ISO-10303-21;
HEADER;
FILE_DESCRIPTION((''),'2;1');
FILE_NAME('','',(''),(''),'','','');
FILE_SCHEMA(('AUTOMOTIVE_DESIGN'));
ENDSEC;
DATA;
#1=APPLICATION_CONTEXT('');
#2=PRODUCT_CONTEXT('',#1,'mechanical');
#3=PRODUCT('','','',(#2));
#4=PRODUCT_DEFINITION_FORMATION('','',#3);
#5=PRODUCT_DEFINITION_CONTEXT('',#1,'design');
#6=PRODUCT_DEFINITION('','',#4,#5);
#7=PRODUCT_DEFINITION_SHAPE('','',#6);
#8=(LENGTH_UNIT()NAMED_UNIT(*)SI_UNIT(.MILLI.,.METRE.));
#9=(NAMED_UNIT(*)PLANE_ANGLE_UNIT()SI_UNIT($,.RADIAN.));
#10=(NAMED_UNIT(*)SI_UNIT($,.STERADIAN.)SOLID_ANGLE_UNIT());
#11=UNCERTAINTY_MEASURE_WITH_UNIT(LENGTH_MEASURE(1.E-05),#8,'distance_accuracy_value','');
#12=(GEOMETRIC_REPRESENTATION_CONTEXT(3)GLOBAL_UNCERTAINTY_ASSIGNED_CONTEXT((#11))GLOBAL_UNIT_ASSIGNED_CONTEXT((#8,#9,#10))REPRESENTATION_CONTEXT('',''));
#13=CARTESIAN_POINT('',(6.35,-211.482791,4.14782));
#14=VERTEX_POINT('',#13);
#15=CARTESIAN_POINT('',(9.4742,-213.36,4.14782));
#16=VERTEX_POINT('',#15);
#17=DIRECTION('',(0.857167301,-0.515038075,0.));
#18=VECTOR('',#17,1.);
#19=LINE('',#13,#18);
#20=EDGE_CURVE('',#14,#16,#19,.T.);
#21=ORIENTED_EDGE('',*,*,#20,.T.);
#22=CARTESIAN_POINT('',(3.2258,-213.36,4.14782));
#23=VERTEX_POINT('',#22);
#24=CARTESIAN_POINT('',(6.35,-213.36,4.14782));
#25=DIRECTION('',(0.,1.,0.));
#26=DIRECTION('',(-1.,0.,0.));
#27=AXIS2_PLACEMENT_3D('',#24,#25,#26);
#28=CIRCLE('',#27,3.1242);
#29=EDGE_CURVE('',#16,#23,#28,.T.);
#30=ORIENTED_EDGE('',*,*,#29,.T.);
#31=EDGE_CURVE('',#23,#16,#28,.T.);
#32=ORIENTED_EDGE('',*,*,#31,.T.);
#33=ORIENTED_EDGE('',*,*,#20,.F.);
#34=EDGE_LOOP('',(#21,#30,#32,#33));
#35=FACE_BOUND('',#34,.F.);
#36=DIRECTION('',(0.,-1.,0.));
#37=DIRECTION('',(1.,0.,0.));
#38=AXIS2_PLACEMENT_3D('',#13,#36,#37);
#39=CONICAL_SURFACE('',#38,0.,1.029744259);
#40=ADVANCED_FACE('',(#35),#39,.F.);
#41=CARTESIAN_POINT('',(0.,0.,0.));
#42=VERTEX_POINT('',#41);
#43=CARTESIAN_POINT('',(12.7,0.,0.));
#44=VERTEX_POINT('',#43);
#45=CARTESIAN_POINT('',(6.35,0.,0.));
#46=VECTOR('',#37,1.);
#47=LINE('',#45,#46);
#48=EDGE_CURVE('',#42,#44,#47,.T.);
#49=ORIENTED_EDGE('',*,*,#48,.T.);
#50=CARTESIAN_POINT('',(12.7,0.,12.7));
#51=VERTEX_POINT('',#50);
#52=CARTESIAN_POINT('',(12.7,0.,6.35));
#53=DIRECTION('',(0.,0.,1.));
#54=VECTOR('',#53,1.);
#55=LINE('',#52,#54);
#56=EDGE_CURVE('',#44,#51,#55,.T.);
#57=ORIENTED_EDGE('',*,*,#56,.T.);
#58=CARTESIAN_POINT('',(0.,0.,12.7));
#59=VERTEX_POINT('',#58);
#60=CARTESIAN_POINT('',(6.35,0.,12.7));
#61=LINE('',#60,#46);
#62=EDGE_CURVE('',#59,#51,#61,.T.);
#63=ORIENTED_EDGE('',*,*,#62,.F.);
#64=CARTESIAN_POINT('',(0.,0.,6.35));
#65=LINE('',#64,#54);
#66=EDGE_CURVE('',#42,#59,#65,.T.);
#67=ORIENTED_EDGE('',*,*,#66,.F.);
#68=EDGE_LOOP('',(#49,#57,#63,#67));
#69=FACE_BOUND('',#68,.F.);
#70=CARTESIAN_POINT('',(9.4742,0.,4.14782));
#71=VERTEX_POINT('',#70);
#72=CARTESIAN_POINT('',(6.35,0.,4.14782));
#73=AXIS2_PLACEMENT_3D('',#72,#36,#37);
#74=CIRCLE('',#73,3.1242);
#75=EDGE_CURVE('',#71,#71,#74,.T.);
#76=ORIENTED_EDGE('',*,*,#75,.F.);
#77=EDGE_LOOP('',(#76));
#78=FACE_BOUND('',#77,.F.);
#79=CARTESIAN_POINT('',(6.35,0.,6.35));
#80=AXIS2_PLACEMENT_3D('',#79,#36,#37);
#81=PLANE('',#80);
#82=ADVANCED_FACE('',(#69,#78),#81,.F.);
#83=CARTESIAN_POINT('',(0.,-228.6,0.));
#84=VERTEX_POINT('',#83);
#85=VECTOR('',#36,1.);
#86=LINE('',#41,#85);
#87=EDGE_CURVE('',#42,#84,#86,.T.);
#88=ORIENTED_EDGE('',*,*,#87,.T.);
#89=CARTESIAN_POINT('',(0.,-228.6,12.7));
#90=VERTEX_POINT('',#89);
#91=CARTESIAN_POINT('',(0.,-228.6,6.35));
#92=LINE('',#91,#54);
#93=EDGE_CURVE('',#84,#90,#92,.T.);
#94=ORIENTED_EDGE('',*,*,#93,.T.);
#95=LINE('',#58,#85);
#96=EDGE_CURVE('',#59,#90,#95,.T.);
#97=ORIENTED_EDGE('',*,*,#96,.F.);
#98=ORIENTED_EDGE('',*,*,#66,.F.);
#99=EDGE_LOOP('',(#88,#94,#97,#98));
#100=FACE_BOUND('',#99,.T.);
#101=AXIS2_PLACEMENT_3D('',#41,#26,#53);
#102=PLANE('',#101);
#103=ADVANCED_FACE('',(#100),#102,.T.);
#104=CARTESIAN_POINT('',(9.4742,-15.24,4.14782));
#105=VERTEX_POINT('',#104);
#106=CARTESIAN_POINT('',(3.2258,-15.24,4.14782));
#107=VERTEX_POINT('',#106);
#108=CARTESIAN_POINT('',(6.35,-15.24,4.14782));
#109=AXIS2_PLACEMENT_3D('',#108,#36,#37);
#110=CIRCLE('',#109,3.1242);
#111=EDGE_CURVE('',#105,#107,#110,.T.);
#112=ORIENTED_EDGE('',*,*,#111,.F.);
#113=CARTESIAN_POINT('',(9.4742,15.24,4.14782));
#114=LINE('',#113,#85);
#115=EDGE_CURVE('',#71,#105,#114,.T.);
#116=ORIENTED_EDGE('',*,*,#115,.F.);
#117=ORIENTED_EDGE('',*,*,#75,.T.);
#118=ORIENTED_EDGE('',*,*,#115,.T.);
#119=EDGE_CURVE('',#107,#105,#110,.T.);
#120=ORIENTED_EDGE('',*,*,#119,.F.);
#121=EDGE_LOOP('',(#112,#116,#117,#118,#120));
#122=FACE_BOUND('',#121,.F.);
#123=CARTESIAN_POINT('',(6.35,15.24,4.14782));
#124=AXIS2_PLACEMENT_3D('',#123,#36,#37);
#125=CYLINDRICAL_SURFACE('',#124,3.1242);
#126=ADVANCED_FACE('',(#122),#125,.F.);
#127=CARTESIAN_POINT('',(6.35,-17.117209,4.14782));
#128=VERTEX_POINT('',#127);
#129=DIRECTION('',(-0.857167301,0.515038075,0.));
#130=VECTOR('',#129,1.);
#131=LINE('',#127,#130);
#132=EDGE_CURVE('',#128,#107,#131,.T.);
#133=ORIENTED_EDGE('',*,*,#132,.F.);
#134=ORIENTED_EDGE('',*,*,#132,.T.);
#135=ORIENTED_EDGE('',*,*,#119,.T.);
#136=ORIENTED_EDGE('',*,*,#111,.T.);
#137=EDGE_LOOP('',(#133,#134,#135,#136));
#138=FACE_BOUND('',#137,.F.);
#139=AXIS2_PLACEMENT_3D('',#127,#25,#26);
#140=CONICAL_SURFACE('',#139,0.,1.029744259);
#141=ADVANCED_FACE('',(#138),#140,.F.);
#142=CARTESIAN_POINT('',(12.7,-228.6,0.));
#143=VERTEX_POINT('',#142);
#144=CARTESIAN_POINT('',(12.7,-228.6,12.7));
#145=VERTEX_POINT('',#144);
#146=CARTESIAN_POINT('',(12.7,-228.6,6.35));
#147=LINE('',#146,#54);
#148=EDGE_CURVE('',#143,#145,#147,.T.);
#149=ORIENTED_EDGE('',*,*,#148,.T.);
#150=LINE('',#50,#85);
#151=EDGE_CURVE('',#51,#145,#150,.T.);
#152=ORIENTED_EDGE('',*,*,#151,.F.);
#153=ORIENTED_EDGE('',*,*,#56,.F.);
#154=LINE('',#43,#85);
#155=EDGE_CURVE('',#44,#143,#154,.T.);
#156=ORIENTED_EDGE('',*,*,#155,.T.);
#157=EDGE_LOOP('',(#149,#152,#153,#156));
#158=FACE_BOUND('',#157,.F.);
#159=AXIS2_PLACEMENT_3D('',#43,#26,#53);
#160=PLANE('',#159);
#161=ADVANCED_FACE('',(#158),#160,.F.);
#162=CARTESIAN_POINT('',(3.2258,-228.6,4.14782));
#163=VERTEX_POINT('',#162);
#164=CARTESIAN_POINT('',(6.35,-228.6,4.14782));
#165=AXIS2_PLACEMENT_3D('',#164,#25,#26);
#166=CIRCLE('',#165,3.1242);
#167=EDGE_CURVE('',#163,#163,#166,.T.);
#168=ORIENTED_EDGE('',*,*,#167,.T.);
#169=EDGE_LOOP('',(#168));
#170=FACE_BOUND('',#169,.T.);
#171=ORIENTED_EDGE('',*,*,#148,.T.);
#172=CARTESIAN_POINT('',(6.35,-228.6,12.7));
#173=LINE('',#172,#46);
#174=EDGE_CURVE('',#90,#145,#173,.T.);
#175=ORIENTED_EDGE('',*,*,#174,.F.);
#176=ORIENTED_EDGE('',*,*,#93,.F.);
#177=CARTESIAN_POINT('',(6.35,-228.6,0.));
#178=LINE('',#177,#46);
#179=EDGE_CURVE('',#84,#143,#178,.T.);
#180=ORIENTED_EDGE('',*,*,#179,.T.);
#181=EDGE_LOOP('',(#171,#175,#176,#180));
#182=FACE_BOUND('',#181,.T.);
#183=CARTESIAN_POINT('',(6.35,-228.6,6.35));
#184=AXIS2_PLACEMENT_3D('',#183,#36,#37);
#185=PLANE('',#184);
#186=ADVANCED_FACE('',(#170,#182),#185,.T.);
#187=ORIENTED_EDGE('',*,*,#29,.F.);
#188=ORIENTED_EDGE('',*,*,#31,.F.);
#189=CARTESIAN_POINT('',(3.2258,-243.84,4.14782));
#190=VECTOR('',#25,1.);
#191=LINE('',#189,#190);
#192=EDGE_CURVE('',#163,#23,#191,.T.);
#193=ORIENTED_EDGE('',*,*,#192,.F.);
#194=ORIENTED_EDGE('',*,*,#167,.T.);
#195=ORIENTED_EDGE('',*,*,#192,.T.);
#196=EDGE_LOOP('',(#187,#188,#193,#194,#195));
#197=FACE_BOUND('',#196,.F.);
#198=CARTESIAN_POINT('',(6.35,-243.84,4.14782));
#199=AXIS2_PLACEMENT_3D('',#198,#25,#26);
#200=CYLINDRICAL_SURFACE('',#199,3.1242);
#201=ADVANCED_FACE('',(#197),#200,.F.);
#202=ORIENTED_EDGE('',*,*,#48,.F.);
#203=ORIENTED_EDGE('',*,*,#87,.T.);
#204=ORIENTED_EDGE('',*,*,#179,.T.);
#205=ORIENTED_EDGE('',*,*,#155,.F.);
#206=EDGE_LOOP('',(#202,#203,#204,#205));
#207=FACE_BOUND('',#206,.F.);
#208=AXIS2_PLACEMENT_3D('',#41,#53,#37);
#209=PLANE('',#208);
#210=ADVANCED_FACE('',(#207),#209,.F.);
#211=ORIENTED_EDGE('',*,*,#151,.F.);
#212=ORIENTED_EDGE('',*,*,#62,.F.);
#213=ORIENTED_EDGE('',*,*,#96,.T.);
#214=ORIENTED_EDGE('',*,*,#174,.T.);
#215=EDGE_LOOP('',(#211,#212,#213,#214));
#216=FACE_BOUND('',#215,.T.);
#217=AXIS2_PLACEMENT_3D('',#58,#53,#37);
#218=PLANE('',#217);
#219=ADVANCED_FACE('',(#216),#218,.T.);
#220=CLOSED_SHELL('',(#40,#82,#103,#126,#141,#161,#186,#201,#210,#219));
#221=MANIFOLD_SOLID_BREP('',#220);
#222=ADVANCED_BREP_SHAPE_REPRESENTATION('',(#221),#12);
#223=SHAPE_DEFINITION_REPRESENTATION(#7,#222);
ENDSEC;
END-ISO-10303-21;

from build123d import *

# Parameters (mm, degrees)
F0_W     = 12.7
F0_H     = 12.7
F1_DEPTH = 228.6
F3_D     = 6.2484
F3_DEPTH = 15.24
F3_TIP   = 1.877208746
F5_D     = 6.2484
F5_DEPTH = 15.24
F5_TIP   = 1.877208746


with BuildPart() as f1:
    # F0 (on Front) → F1 (new body)
    with BuildSketch(Plane.XZ):
        with Locations((6.35, 6.35)):
            Rectangle(F0_W, F0_H)
    extrude(amount=F1_DEPTH)

    # F3
    with Locations(Plane.XZ.offset(228.6)):
        with Locations((6.35, 4.14782)):
            Hole(F3_D / 2, depth=F3_DEPTH)
            with Locations((0, 0, -(F3_DEPTH + F3_TIP / 2))):  # 118° drill point
                Cone(0, F3_D / 2, F3_TIP, mode=Mode.SUBTRACT)

    # F5
    with Locations(Plane(origin=(0, 0, 0), x_dir=(-1, 0, 0), z_dir=(0, 1, 0))):
        with Locations((-6.35, 4.14782)):
            Hole(F5_D / 2, depth=F5_DEPTH)
            with Locations((0, 0, -(F5_DEPTH + F5_TIP / 2))):  # 118° drill point
                Cone(0, F5_D / 2, F5_TIP, mode=Mode.SUBTRACT)


solid = f1.part
